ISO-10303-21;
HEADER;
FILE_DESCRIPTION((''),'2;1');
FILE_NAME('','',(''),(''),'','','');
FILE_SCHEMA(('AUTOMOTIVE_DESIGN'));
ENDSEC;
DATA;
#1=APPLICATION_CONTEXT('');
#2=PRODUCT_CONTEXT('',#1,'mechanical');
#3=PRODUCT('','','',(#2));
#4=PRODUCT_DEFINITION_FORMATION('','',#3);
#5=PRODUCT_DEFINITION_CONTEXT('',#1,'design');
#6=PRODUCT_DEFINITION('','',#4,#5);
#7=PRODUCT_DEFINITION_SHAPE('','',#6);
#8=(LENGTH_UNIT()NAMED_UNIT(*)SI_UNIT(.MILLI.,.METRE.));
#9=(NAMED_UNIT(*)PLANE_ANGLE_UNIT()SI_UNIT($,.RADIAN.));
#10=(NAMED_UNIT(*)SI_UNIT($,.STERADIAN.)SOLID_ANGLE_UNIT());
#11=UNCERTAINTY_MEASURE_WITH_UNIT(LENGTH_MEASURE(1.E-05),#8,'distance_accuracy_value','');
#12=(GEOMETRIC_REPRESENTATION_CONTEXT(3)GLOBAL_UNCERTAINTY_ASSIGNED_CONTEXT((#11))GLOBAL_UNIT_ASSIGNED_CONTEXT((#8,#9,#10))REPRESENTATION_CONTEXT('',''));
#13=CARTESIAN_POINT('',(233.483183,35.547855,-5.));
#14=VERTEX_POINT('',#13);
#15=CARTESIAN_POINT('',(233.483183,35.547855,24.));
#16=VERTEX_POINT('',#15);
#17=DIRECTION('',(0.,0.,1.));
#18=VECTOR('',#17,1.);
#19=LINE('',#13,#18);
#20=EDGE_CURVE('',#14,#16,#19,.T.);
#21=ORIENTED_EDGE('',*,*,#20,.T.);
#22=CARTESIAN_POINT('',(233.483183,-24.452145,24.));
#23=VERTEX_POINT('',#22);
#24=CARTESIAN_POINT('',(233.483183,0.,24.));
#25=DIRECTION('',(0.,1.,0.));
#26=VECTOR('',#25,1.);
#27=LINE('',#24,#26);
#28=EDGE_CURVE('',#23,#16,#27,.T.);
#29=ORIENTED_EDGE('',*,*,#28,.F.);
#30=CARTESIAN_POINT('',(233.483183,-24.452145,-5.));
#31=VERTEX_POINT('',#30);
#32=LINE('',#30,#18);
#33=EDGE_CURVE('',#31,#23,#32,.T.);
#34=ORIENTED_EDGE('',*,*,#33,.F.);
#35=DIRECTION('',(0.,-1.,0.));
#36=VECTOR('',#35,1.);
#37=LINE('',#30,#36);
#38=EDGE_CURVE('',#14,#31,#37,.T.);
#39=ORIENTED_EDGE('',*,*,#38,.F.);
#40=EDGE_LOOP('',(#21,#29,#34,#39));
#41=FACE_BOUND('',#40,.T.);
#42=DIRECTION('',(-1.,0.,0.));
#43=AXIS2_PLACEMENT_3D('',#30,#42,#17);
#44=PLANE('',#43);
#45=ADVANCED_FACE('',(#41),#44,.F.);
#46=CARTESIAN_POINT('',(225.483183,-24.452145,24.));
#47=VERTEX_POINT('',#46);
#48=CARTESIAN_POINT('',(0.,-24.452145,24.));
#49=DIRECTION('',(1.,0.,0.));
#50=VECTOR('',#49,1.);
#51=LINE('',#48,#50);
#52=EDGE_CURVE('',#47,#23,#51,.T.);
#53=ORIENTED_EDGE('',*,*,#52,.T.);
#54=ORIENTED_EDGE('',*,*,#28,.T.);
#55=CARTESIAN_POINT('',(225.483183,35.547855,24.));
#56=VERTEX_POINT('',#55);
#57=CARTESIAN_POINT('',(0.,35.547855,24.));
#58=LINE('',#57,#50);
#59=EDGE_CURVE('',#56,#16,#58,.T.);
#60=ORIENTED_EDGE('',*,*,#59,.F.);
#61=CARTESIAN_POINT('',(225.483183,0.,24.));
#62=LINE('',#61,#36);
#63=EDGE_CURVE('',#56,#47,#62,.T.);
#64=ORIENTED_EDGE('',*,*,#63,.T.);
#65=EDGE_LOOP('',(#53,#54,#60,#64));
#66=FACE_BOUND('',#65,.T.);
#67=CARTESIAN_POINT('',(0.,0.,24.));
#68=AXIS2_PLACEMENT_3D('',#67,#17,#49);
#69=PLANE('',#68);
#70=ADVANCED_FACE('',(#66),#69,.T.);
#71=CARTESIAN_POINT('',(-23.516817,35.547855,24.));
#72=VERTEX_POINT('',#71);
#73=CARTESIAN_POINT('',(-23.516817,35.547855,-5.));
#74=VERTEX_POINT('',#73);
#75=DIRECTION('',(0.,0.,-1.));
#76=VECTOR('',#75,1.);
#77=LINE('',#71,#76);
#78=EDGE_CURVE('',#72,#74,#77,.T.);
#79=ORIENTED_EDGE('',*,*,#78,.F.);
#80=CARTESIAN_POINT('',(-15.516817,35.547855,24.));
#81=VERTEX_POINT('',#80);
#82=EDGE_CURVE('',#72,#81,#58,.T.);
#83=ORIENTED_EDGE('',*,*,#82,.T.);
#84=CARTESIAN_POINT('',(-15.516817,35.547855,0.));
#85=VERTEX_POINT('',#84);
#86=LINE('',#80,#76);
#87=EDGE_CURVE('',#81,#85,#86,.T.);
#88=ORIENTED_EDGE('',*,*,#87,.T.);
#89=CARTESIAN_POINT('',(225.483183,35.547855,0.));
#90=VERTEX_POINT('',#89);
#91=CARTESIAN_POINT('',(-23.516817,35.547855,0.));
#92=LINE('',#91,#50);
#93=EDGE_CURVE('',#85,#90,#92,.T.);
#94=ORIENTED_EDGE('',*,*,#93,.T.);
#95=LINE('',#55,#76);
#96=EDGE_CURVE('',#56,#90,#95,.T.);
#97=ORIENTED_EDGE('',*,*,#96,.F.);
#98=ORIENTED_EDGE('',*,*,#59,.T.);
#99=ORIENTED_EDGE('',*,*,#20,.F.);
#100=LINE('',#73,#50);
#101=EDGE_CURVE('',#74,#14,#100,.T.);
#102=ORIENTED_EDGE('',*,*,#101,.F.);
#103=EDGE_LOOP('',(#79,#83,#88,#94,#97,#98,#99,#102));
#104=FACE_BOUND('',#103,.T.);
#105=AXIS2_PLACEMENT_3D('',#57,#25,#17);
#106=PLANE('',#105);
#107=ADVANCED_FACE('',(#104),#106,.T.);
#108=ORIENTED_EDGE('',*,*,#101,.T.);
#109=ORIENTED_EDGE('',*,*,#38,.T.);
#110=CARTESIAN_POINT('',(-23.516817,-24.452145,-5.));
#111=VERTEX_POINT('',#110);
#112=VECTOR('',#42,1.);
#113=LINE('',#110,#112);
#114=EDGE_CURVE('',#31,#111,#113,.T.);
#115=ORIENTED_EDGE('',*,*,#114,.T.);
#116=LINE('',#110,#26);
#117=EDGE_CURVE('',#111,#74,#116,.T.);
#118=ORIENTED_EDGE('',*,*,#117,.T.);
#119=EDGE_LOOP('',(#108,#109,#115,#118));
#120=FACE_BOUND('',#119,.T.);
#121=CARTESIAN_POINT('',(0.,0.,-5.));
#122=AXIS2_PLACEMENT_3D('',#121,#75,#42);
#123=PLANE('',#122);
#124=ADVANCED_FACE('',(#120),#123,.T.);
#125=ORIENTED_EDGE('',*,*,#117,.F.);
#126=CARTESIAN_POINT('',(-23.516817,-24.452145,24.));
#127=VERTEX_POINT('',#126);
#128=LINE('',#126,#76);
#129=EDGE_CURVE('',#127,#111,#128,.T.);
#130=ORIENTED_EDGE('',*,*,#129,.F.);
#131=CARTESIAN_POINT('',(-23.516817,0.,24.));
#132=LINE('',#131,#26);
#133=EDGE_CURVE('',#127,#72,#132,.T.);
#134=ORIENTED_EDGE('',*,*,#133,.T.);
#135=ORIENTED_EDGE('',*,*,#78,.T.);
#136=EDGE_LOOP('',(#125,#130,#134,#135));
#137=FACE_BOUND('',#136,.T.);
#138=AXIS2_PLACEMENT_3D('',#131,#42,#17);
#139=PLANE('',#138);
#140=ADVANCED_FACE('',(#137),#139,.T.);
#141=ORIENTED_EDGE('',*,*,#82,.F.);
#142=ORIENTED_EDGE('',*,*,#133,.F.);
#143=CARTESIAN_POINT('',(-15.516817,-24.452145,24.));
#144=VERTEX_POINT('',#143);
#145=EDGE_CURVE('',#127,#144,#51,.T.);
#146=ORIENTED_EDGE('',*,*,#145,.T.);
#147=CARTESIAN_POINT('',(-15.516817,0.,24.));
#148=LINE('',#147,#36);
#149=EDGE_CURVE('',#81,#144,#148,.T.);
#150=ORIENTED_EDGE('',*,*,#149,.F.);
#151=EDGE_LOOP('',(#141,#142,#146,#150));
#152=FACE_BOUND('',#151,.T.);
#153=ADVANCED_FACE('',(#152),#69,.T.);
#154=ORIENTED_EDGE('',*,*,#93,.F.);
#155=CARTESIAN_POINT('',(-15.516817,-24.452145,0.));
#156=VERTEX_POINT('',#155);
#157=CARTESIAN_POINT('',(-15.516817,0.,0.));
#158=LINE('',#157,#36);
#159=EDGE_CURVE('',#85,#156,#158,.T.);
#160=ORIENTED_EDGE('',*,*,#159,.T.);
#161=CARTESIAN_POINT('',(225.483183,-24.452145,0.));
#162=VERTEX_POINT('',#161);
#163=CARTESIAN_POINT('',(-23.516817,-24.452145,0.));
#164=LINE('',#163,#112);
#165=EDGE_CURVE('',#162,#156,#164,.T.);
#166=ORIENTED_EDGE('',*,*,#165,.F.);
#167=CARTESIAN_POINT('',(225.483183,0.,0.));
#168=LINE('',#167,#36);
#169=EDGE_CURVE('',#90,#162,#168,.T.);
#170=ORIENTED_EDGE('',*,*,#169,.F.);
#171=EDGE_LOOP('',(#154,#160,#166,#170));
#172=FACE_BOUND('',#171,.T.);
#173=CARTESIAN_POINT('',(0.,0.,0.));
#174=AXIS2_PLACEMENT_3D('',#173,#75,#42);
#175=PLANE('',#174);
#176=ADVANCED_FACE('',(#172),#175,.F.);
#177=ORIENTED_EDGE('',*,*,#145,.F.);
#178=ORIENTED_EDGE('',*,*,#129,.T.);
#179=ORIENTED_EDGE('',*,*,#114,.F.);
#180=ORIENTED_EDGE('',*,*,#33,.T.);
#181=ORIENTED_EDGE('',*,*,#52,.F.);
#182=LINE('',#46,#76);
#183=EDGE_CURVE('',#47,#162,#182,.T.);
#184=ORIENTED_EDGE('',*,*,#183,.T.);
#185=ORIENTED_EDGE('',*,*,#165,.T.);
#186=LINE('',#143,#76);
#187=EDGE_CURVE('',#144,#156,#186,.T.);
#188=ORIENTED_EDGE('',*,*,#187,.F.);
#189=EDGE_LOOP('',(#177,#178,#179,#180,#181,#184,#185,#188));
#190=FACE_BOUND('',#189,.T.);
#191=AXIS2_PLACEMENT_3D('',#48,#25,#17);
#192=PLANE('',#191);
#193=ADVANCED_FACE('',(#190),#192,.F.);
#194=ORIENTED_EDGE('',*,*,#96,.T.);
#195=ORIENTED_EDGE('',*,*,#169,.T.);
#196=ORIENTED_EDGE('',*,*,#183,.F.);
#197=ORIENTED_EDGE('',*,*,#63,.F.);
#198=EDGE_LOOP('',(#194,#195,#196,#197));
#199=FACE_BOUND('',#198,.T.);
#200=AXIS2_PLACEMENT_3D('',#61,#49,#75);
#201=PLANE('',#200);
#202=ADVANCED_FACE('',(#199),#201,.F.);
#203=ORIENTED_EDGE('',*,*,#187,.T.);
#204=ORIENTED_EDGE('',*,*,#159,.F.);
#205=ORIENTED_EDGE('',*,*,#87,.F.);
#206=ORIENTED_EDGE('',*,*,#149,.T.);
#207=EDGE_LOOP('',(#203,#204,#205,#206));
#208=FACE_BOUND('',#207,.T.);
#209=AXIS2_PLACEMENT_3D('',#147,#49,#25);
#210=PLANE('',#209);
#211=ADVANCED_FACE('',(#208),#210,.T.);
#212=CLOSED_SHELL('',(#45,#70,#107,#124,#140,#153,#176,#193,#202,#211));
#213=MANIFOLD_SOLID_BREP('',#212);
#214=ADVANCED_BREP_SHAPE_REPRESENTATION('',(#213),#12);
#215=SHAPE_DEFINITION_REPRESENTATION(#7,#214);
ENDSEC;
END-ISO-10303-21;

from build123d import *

# Parameters (mm, degrees)
SKETCH_2_W        = 8
SKETCH_2_H        = 60
EXTRUDE_1_DEPTH   = 24
EXTRUDE_1_2_DEPTH = 24
SKETCH_3_W        = 257
SKETCH_3_H        = 60
EXTRUDE_2_DEPTH   = 5


with BuildPart() as part:
    # 草图2 → 凸台-拉伸1 (new body)
    with BuildSketch(Plane.XY):
        with Locations((-19.51681736, 5.547854677)):
            Rectangle(SKETCH_2_W, SKETCH_2_H)
    extrude(amount=EXTRUDE_1_DEPTH)



with BuildPart() as body_2:
    # 草图2 → Extrude 1 2 (new body)
    with BuildSketch(Plane.XY):
        with Locations((229.48318264, 5.547854677)):
            Rectangle(SKETCH_2_W, SKETCH_2_H)
    extrude(amount=EXTRUDE_1_2_DEPTH)


with BuildPart() as part_1:
    add(part.part)

    add(body_2.part)  # 凸台-拉伸2 merges body 2
    # 草图3 → 凸台-拉伸2 (add)
    with BuildSketch(Plane(origin=(0, 0, 0), x_dir=(-1, 0, 0), z_dir=(0, 0, -1))):
        with Locations((-104.98318264, 5.547854677)):
            Rectangle(SKETCH_3_W, SKETCH_3_H)
    extrude(amount=EXTRUDE_2_DEPTH)


solid = part_1.part
